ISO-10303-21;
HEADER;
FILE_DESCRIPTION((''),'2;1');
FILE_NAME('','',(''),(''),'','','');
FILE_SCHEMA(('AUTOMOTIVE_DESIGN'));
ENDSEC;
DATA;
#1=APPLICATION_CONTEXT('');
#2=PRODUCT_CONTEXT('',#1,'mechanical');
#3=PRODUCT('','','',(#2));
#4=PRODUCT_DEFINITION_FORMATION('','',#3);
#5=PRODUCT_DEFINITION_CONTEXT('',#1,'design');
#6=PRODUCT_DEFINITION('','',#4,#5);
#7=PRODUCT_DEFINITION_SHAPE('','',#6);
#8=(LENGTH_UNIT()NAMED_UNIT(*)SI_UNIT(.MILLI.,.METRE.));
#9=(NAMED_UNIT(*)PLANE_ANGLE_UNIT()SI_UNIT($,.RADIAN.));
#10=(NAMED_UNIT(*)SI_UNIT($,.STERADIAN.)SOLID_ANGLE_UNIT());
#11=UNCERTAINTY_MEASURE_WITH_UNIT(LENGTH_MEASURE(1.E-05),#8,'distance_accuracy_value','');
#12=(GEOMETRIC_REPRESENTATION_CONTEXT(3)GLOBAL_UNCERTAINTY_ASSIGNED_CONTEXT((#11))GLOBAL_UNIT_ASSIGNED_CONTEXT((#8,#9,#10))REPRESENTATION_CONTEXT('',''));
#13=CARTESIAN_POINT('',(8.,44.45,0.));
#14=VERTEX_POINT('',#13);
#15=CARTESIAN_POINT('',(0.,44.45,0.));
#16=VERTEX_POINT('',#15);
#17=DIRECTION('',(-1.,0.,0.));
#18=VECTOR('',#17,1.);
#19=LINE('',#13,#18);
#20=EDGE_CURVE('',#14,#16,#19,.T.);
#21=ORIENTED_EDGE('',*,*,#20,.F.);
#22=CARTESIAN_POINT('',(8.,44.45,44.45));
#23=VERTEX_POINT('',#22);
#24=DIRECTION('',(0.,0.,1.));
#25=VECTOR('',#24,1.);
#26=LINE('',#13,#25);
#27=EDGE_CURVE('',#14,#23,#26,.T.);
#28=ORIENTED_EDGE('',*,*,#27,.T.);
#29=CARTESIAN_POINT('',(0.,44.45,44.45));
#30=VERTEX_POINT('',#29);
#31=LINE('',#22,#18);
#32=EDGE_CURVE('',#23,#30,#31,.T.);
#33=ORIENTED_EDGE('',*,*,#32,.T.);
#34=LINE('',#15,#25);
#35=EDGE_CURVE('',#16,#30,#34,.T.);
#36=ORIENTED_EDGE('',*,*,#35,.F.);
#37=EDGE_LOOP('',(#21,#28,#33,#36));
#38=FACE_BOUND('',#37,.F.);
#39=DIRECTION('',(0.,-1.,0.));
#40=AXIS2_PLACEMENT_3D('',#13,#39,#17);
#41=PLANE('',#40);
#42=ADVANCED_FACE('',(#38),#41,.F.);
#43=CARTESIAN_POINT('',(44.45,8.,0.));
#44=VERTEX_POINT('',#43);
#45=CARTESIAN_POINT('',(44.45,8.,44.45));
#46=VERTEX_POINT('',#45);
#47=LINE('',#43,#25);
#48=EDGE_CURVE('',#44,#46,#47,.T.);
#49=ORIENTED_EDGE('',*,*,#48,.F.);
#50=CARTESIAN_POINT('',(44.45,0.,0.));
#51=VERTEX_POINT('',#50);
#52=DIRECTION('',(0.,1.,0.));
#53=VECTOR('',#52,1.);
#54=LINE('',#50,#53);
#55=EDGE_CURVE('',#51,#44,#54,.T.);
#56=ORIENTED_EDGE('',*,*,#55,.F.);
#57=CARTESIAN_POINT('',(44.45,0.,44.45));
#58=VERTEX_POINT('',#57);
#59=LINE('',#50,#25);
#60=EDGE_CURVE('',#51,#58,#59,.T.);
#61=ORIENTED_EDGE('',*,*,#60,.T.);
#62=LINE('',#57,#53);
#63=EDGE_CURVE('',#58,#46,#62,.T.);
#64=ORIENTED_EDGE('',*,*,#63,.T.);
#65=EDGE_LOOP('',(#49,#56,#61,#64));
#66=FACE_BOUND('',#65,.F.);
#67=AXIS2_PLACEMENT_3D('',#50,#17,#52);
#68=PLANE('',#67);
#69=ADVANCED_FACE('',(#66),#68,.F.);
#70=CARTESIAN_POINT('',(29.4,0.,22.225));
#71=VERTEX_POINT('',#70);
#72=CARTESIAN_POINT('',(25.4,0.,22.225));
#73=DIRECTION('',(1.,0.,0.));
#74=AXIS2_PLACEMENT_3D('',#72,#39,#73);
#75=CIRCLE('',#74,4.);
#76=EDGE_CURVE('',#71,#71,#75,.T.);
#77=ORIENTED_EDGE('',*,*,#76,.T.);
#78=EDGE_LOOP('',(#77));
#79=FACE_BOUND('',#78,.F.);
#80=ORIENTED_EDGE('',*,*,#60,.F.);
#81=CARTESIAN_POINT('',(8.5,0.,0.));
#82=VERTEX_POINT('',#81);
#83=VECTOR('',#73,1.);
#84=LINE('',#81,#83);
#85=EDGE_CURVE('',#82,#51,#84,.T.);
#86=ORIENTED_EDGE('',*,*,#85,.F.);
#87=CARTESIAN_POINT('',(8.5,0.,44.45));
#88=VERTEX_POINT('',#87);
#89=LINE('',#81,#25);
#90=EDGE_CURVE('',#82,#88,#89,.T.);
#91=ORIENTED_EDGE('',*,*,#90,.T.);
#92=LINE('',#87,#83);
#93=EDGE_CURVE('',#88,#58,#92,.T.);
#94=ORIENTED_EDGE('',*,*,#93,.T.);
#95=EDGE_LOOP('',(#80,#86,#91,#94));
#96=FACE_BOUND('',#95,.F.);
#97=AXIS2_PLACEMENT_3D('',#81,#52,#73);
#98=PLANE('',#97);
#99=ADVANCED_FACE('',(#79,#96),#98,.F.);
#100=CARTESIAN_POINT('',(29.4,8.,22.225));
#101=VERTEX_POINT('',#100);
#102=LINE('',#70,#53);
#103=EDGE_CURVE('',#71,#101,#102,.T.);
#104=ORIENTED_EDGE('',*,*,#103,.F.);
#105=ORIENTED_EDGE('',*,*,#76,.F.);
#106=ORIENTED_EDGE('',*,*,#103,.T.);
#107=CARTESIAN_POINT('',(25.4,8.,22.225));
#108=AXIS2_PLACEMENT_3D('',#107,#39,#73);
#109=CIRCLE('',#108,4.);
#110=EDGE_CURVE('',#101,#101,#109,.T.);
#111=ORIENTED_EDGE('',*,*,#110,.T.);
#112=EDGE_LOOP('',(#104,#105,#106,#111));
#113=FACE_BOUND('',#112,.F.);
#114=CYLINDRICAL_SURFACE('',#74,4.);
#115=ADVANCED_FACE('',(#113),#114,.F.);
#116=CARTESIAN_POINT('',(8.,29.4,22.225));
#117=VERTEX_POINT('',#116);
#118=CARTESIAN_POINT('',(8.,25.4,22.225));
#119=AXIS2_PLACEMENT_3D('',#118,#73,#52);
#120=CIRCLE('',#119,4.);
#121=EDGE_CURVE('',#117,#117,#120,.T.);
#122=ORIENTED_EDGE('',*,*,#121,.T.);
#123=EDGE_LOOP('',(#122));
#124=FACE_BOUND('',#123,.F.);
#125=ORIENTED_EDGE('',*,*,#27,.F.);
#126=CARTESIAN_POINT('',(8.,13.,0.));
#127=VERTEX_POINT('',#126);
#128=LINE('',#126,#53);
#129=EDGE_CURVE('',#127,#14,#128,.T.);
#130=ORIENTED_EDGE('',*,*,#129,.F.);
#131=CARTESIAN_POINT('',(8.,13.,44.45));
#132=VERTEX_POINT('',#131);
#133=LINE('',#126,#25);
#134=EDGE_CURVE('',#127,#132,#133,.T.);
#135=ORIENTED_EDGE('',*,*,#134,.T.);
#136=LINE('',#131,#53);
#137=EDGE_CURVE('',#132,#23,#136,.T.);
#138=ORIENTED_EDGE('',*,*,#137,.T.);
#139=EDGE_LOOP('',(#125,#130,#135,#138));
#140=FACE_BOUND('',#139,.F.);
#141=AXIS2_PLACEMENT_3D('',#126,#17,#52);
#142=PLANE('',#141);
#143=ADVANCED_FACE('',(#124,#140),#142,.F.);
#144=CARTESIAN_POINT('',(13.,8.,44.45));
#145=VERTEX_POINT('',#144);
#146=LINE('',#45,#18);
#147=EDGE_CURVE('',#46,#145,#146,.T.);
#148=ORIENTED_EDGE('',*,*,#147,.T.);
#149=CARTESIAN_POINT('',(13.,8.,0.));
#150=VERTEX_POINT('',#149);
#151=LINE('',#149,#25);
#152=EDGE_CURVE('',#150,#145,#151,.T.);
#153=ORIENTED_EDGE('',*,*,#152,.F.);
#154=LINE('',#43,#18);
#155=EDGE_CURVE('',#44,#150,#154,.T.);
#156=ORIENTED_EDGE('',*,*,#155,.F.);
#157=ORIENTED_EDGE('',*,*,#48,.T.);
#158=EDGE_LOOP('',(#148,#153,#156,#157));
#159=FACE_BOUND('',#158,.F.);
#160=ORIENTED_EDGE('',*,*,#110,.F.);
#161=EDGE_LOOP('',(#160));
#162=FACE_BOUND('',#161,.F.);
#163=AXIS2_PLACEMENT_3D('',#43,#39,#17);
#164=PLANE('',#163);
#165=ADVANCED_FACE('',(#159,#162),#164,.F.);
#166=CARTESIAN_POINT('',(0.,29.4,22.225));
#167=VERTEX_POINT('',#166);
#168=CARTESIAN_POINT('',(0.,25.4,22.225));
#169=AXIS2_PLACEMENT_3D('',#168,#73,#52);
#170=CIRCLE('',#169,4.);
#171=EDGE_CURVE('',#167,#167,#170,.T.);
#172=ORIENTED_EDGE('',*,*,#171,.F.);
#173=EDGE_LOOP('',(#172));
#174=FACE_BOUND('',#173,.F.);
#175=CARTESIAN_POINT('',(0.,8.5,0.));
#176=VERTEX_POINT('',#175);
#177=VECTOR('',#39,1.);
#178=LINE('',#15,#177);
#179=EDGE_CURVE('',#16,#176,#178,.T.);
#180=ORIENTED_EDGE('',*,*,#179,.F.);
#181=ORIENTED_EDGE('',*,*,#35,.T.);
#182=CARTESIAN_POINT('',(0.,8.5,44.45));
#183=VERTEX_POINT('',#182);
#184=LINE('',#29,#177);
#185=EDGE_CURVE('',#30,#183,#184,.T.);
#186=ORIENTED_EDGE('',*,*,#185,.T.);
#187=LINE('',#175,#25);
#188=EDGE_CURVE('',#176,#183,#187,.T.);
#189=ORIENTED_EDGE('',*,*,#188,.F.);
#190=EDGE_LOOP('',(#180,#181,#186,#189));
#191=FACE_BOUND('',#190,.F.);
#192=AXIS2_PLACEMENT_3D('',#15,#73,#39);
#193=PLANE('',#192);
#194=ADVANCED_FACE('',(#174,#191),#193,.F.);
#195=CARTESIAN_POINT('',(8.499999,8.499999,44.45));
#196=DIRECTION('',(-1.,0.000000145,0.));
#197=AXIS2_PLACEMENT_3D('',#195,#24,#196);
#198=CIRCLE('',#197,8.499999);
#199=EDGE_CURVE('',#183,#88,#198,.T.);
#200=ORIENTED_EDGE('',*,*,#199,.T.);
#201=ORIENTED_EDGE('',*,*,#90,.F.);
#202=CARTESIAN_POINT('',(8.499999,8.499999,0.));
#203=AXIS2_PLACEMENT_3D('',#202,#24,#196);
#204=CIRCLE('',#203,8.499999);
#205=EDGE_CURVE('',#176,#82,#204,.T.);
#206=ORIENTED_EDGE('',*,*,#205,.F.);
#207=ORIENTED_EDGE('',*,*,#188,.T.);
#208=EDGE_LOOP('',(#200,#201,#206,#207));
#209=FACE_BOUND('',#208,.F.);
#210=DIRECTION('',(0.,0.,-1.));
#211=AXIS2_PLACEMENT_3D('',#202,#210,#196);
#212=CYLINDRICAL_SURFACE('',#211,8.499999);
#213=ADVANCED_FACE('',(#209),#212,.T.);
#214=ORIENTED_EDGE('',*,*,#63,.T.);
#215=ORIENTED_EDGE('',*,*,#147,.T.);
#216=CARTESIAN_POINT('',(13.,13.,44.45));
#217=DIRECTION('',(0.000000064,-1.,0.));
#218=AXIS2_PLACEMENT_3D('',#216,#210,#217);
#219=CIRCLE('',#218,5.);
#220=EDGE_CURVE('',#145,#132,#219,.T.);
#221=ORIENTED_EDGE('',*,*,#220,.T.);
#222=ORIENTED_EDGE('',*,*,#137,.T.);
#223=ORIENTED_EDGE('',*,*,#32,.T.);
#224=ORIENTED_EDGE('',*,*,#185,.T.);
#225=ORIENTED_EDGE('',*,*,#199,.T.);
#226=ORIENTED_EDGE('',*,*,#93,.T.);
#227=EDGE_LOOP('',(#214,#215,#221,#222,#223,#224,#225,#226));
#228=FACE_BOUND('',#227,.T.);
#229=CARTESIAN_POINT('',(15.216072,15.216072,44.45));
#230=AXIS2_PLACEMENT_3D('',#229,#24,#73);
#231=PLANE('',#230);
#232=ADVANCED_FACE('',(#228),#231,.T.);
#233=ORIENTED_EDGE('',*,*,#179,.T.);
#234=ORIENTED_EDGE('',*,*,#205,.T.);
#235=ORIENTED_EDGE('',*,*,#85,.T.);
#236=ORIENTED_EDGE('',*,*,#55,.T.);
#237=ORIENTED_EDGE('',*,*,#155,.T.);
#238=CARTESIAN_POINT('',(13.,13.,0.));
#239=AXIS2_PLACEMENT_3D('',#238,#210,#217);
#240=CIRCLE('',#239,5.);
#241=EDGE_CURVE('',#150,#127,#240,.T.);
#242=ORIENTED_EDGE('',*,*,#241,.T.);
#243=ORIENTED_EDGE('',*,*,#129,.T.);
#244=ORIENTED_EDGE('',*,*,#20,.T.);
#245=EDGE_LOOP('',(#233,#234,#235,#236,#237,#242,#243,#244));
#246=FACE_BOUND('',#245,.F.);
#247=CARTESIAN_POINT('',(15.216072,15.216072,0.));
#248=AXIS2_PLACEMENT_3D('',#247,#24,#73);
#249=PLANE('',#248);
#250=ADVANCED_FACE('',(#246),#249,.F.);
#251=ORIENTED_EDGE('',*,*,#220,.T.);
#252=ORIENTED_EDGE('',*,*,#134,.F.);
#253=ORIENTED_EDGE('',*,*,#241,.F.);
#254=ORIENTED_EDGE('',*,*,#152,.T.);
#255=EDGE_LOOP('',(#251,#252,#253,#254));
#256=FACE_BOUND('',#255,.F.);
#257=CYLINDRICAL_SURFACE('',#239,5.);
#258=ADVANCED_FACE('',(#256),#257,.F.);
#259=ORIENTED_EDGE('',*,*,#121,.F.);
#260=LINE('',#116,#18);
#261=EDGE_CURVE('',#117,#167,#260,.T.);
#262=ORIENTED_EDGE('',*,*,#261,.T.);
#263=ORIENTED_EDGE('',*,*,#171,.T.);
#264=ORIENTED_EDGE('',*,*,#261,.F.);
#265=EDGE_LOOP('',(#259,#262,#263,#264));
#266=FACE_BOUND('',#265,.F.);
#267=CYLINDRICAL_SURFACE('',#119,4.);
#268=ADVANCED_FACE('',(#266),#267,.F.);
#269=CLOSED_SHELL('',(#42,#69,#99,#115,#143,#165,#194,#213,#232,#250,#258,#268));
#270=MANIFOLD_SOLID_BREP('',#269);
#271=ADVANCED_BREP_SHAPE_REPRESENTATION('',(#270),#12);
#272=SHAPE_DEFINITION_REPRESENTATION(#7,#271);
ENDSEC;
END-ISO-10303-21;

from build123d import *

# Parameters (mm, degrees)
F1_DEPTH = 44.45
F2_R     = 4
F3_DEPTH = 8
F4_R     = 4
F5_DEPTH = 8


with BuildPart() as f1:
    # F0 (on Top) → F1 (new body)
    with BuildSketch(Plane.XY):
        with BuildLine():
            Line((8, 44.45), (0, 44.45))
            Line((0, 44.45), (0, 8.5))
            ThreePointArc((0, 8.5), (2.489592, 2.489592), (8.5, 0))
            Line((8.5, 0), (44.45, 0))
            Line((44.45, 0), (44.45, 8))
            Line((44.45, 8), (13, 8))
            ThreePointArc((13, 8), (9.464466, 9.464466), (8, 13))
            Line((8, 13), (8, 44.45))
        make_face()
    extrude(amount=F1_DEPTH)

    # F2 (on face) → F3 (cut, through all)
    with BuildSketch(Plane.YZ.offset(8)):
        with Locations((25.4, 22.225)):
            Circle(F2_R)
    extrude(amount=-F3_DEPTH, mode=Mode.SUBTRACT)

    # F4 (on face) → F5 (cut, through all)
    with BuildSketch(Plane.XZ):
        with Locations((25.4, 22.225)):
            Circle(F4_R)
    extrude(amount=-F5_DEPTH, mode=Mode.SUBTRACT)


solid = f1.part
